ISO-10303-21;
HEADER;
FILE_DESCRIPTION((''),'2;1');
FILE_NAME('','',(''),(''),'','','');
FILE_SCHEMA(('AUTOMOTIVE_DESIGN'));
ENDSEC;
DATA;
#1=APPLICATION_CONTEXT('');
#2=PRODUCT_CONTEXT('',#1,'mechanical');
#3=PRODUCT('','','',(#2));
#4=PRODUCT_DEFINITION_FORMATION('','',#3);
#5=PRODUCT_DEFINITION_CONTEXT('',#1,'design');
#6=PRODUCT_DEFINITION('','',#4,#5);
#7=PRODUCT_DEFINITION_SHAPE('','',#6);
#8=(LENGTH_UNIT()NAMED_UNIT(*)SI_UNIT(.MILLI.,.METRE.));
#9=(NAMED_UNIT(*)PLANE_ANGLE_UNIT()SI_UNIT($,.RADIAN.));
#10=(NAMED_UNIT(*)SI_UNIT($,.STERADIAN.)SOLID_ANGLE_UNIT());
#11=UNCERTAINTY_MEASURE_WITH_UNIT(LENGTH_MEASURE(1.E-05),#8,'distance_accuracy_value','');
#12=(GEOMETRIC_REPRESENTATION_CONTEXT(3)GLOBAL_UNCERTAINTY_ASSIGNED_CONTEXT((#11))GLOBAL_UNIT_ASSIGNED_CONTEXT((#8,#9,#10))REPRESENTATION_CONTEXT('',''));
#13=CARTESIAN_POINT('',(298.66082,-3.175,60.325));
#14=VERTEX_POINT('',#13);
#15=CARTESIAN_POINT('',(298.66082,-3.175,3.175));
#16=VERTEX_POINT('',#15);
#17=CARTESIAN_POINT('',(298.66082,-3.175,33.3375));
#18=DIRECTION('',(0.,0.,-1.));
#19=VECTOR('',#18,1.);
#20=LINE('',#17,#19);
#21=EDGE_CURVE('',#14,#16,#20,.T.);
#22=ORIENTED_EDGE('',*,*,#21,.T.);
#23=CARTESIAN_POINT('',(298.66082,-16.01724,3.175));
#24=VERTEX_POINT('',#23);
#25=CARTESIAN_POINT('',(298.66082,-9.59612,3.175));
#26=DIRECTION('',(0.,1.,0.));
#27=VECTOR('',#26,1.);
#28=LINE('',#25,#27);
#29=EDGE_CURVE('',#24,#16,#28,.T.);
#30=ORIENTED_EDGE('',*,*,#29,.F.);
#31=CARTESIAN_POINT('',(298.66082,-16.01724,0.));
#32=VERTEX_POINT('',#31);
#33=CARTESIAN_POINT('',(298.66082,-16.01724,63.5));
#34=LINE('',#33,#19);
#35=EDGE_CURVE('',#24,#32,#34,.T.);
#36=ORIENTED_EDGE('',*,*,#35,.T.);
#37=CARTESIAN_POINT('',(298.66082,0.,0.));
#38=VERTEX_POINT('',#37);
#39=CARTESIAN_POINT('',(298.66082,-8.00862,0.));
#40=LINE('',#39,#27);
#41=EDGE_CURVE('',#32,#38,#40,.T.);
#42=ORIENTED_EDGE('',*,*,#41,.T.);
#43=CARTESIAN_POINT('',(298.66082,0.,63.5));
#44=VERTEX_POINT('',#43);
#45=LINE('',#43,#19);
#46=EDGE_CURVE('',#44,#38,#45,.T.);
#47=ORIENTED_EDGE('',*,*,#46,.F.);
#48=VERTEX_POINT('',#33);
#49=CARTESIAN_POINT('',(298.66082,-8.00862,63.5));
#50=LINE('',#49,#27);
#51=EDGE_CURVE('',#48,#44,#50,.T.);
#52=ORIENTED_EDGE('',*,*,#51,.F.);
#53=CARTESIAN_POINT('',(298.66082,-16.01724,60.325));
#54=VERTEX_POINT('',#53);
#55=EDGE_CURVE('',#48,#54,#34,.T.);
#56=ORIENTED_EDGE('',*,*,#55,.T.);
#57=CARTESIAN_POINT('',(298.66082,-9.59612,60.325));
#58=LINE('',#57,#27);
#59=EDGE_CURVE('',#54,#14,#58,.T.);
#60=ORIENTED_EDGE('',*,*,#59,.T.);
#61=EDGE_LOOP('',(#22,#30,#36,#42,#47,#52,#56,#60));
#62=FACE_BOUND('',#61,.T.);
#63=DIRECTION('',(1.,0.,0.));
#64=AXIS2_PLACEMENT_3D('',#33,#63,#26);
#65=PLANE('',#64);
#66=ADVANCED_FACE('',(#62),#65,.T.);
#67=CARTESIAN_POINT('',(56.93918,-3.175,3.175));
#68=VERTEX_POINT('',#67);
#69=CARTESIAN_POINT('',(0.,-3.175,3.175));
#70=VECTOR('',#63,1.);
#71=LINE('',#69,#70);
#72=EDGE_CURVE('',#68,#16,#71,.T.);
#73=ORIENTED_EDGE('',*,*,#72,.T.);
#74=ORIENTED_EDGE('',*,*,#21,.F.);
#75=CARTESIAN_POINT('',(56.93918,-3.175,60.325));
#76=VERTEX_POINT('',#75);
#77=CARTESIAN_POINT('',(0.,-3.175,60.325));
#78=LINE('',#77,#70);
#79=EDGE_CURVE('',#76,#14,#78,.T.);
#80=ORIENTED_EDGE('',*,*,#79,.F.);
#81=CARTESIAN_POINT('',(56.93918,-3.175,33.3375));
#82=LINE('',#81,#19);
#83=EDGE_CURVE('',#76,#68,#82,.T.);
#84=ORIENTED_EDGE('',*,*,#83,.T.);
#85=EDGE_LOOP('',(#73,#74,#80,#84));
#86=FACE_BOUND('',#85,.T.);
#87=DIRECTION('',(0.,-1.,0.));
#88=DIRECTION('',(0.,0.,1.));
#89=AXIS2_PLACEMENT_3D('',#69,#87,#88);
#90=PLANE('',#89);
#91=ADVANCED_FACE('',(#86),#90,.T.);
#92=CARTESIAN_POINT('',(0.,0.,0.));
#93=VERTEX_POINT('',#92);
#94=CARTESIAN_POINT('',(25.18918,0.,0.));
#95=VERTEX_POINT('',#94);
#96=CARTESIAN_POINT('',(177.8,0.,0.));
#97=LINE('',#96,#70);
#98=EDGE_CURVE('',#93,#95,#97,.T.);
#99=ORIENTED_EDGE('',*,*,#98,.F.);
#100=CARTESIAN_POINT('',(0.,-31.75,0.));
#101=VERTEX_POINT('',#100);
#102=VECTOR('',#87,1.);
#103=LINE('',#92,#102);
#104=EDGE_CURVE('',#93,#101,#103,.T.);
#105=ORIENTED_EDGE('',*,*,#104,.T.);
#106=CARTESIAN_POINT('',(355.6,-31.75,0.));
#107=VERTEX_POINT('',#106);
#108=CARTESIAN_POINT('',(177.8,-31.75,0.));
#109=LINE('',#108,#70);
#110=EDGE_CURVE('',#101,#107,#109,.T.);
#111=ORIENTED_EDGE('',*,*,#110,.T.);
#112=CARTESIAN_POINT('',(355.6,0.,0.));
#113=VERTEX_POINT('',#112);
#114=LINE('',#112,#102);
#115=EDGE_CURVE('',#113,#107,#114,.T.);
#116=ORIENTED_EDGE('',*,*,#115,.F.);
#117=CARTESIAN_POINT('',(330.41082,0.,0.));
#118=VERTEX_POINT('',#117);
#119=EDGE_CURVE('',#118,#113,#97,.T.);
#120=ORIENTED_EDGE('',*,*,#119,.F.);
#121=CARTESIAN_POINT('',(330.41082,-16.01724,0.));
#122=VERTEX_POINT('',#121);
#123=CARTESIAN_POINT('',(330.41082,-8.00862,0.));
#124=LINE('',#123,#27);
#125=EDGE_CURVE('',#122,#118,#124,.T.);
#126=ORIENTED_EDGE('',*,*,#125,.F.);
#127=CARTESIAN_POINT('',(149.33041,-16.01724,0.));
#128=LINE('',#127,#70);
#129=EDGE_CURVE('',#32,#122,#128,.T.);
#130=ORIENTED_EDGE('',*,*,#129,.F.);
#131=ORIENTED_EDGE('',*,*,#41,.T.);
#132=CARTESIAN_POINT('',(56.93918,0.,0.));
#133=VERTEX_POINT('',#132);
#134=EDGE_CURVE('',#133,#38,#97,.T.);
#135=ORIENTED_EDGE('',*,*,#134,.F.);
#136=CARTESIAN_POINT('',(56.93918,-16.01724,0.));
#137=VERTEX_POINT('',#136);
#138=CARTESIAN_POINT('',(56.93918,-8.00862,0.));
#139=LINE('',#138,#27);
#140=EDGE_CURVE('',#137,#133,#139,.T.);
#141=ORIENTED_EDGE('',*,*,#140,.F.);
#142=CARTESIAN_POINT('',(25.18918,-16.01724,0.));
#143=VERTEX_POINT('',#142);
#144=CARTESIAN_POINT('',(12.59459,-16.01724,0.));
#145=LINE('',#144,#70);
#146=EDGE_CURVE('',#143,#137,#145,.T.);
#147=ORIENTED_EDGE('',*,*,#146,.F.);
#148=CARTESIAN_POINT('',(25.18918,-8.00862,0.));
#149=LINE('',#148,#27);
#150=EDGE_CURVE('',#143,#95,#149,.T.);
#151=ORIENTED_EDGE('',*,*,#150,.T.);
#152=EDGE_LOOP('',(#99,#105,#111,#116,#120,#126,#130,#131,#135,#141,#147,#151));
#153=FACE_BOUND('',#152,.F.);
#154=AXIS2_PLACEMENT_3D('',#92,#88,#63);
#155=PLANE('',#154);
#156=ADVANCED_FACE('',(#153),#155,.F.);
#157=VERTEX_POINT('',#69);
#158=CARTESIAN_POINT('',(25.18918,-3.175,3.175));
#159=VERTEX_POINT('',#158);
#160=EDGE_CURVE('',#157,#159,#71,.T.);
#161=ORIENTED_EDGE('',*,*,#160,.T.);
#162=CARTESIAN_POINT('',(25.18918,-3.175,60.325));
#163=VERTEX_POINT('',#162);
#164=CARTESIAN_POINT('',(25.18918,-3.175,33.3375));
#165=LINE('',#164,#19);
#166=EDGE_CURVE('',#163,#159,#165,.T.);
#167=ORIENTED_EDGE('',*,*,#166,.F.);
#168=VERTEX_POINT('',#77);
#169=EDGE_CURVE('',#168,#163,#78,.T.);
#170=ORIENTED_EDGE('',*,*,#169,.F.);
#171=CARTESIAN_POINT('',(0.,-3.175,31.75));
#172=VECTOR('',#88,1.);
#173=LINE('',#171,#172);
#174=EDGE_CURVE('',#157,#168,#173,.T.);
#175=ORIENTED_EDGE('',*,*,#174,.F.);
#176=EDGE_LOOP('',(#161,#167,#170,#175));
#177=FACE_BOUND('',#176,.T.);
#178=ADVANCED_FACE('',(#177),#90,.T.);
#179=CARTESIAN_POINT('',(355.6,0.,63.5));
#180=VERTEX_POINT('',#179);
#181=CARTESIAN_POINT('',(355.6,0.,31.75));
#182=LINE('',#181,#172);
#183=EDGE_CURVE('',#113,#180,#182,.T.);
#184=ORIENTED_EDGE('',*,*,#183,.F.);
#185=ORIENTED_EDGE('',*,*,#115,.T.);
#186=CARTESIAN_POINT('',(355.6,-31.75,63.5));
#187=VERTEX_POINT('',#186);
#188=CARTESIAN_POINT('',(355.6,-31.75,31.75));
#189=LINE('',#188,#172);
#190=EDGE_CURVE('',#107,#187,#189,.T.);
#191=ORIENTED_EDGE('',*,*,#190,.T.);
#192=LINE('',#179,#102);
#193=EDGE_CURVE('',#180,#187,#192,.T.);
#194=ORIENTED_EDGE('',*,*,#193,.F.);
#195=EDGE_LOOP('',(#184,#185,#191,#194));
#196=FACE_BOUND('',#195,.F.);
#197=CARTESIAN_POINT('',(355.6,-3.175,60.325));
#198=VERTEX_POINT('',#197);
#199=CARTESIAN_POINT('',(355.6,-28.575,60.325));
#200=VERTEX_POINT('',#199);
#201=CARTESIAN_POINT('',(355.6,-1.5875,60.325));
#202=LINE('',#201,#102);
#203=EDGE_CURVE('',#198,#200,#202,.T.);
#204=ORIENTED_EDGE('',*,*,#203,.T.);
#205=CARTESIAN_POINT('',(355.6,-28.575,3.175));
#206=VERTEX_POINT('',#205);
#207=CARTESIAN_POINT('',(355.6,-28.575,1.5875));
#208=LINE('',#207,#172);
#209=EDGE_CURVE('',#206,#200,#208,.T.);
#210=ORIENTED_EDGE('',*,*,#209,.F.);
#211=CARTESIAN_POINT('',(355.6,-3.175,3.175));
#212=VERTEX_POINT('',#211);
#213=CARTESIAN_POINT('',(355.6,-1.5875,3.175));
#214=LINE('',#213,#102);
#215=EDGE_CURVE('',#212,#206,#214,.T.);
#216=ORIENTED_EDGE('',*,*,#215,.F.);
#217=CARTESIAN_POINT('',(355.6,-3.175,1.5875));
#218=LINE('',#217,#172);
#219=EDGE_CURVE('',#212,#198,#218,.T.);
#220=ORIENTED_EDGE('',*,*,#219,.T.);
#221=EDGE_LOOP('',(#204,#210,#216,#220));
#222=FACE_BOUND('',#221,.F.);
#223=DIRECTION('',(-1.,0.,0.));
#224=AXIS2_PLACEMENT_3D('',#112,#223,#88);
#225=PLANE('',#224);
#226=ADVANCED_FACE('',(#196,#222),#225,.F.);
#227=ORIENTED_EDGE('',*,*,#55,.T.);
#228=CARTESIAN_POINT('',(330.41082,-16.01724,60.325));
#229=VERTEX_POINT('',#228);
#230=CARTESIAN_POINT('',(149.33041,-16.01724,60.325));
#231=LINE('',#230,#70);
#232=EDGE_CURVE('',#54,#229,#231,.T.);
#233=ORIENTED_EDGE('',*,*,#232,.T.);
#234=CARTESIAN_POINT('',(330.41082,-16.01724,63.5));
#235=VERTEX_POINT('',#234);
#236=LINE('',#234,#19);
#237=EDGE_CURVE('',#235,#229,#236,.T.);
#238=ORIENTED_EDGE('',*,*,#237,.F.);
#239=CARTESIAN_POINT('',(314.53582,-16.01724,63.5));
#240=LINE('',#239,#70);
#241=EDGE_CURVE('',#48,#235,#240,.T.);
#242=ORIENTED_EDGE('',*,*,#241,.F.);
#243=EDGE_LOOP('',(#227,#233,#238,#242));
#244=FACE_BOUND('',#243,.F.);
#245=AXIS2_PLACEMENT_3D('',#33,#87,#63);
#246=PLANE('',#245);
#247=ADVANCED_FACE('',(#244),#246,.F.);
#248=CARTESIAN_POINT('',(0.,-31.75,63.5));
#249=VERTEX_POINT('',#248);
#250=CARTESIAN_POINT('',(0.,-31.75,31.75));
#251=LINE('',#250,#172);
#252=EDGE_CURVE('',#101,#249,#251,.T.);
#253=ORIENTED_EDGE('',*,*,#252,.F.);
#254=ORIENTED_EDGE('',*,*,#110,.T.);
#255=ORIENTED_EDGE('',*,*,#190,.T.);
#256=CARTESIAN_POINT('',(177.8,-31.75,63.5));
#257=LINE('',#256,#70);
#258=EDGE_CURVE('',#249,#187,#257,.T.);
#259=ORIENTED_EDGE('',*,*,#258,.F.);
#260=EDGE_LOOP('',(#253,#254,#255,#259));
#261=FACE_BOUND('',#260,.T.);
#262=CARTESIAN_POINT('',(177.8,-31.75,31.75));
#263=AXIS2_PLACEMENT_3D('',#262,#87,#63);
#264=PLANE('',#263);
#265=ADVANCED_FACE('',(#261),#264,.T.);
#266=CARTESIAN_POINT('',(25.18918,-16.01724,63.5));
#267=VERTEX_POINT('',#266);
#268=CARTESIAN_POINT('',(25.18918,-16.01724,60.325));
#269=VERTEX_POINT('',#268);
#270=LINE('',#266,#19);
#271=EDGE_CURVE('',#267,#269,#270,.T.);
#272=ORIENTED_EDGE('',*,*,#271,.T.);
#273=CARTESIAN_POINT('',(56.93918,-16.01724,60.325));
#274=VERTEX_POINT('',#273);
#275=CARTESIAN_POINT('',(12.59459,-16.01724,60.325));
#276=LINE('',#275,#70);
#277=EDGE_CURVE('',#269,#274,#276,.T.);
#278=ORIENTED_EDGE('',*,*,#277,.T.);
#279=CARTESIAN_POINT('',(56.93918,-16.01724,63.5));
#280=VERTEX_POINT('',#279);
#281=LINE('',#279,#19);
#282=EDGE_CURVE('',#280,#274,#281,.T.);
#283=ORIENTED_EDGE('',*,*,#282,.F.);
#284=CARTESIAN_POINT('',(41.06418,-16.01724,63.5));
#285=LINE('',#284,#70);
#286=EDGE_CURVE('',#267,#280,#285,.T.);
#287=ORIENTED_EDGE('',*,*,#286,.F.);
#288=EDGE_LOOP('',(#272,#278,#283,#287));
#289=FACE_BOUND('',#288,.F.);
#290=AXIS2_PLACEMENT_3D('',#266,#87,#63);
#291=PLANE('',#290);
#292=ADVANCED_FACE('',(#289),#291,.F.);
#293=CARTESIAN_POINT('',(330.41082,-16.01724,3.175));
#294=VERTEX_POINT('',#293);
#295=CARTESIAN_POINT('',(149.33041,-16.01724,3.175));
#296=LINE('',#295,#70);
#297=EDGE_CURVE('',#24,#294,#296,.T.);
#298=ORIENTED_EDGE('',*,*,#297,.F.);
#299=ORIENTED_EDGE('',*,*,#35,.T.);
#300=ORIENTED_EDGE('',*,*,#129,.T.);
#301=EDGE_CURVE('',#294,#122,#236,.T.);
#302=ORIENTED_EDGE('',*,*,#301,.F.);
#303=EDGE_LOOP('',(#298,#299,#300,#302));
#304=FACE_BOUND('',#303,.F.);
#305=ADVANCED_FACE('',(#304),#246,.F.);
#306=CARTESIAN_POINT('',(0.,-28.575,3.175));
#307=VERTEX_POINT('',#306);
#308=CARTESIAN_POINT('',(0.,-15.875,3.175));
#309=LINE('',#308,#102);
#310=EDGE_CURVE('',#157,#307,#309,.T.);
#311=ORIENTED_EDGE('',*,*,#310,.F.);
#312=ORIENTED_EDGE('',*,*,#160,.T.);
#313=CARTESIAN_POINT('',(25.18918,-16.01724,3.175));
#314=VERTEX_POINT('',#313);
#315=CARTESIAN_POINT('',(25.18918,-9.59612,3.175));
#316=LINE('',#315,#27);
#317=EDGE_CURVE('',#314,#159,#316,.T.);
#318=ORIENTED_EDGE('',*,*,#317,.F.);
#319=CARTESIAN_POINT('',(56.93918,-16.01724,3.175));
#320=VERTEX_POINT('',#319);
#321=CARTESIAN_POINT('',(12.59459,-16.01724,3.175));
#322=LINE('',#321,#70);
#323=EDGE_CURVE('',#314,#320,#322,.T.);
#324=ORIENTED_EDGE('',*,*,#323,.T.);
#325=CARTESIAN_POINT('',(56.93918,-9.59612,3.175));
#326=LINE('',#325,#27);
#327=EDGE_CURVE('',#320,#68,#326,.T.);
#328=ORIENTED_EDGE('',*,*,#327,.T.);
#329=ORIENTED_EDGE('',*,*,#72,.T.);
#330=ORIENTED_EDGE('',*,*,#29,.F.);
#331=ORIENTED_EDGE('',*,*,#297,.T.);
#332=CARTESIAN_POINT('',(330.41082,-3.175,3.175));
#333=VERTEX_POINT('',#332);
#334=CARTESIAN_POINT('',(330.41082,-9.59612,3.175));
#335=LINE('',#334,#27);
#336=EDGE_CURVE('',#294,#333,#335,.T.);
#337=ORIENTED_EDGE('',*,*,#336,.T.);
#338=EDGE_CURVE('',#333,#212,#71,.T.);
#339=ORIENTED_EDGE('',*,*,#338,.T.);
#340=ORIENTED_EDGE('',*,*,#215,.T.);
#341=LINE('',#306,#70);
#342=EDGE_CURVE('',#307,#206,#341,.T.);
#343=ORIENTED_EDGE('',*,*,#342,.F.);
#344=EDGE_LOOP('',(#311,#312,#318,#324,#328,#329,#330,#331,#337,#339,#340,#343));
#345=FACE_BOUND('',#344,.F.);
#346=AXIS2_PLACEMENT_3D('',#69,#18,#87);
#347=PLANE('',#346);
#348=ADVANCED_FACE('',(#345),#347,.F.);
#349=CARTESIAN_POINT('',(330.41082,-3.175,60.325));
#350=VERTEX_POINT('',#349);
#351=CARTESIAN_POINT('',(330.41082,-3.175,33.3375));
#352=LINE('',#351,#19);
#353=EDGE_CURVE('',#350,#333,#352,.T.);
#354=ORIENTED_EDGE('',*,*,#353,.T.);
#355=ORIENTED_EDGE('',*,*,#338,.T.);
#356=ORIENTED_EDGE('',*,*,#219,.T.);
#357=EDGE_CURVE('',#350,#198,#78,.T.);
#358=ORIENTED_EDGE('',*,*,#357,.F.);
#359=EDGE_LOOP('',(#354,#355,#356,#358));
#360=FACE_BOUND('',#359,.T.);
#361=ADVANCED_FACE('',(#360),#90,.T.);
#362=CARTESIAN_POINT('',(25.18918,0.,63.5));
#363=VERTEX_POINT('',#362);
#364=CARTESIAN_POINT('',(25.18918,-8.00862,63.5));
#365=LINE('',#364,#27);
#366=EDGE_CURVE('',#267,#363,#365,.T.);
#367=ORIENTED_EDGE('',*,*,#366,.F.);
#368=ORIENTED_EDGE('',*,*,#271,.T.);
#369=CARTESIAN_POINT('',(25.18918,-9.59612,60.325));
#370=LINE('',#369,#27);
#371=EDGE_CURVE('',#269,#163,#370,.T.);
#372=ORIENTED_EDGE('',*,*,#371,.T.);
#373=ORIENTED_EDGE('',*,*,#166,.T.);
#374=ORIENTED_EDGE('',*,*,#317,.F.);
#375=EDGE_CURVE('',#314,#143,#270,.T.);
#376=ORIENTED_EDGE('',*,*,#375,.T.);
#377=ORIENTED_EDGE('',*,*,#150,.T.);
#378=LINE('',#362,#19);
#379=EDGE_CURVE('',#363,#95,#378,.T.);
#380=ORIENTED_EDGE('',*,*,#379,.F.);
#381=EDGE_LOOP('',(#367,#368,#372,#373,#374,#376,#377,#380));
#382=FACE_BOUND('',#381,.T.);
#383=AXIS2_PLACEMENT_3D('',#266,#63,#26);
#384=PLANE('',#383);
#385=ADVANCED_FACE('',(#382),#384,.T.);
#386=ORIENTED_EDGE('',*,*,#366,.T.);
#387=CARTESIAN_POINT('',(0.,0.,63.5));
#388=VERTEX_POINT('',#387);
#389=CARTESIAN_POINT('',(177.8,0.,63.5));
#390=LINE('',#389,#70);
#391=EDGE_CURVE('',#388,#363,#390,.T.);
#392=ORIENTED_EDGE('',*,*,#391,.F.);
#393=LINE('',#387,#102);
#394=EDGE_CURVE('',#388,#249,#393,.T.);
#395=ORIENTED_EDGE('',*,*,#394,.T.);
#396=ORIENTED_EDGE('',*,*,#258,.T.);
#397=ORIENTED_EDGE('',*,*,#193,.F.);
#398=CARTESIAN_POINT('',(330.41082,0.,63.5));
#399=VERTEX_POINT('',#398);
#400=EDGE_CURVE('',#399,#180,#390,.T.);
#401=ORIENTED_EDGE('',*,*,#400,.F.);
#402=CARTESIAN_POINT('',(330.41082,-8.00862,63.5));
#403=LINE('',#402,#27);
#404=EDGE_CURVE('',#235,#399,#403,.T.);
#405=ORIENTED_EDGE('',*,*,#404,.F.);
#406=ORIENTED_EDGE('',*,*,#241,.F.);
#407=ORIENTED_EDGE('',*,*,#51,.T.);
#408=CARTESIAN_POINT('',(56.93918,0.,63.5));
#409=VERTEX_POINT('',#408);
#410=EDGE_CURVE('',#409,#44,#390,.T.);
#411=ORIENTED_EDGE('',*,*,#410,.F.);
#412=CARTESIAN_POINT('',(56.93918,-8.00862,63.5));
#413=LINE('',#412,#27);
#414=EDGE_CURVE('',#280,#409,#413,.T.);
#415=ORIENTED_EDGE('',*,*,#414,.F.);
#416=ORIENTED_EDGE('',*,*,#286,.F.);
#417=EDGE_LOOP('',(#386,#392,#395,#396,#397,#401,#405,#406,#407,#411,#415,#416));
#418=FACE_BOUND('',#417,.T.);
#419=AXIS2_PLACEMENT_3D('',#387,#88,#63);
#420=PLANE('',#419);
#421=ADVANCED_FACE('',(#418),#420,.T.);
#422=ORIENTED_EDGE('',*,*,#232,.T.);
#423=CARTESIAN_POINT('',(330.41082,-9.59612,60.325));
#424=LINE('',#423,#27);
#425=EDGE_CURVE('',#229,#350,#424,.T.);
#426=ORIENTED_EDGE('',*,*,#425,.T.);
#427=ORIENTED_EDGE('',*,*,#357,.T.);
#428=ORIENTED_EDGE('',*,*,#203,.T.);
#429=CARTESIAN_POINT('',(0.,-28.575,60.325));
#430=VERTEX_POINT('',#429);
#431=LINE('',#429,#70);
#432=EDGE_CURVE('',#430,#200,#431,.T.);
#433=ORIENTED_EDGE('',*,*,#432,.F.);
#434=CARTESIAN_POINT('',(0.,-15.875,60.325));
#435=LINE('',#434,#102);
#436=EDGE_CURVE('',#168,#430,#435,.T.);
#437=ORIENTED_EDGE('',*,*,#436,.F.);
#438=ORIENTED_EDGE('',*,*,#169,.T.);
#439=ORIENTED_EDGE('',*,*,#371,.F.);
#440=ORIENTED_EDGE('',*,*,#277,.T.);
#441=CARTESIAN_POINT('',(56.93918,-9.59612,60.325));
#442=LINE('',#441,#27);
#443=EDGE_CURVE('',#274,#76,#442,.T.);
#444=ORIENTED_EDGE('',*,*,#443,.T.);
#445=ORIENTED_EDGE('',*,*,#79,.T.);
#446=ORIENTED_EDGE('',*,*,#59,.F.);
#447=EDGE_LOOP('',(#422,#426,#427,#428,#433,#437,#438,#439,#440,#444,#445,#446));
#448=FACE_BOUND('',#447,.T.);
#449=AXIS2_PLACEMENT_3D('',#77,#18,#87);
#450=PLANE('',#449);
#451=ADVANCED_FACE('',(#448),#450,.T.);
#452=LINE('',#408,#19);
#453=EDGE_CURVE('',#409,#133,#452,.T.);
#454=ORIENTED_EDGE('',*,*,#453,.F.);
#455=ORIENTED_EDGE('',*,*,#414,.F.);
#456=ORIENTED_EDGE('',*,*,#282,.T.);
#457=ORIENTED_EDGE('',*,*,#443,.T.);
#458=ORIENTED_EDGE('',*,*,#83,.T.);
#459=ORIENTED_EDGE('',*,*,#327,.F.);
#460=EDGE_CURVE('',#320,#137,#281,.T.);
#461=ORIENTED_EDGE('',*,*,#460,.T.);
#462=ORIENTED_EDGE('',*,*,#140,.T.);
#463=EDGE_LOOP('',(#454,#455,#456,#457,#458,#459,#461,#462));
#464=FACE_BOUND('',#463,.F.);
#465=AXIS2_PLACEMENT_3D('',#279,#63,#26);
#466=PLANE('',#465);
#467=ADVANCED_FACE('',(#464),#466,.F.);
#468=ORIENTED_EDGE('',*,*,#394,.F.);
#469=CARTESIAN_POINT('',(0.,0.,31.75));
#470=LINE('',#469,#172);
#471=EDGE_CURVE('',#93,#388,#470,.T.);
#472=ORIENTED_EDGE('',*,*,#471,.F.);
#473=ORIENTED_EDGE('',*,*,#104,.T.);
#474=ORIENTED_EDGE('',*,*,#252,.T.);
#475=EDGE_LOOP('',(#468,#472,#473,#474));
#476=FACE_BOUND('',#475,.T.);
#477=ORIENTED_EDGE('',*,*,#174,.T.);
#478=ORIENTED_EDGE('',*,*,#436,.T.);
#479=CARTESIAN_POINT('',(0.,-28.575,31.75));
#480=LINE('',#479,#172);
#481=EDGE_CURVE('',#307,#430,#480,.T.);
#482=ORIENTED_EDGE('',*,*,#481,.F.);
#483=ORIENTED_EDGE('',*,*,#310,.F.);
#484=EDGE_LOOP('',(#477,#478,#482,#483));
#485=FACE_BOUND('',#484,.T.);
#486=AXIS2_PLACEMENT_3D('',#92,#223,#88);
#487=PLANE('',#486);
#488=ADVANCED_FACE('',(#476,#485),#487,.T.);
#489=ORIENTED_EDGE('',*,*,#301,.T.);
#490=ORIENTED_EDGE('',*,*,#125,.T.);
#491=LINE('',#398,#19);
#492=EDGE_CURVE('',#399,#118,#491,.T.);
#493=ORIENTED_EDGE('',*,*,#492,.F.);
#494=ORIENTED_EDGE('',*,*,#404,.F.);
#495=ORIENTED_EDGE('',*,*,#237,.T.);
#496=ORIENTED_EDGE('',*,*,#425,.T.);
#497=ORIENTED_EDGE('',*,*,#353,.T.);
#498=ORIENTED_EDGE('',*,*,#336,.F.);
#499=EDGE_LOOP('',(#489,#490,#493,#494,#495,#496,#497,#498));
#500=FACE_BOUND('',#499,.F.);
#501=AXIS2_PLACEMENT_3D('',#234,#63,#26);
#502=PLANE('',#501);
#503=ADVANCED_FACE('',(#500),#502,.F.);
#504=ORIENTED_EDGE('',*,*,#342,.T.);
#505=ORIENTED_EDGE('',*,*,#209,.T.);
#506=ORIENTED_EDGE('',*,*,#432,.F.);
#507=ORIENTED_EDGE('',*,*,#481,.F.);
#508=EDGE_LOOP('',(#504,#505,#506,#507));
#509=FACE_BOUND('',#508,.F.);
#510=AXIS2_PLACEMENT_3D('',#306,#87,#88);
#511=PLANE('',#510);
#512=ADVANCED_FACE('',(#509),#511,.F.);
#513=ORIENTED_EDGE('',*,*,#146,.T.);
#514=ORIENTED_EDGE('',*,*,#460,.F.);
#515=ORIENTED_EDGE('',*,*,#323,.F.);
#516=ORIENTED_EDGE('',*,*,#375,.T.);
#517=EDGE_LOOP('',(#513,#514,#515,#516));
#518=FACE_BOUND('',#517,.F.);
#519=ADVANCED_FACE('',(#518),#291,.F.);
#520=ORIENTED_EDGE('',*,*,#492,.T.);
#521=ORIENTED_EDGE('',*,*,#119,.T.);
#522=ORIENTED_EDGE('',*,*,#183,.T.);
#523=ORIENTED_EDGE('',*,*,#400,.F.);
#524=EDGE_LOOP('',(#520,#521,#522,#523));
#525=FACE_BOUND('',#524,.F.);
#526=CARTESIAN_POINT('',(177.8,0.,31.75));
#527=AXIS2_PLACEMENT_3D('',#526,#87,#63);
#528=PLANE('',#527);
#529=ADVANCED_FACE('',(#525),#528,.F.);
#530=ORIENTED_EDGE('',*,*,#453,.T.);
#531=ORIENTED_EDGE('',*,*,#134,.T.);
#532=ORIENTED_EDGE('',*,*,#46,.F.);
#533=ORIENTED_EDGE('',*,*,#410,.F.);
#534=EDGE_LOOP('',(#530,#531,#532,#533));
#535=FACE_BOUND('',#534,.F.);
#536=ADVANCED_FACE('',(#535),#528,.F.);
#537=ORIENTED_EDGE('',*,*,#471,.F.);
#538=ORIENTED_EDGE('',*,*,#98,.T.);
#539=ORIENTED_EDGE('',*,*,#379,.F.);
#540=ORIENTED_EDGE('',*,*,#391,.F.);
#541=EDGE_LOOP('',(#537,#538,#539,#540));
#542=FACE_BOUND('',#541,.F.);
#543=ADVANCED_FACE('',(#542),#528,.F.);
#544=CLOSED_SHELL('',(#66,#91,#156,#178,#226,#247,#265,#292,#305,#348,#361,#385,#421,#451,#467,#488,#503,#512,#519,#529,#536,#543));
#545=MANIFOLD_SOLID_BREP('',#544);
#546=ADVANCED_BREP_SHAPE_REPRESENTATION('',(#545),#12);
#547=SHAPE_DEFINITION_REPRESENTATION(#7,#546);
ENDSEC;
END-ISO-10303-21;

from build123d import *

# Parameters (mm, degrees)
F0_W     = 355.6
F0_H     = 63.5
F1_DEPTH = 31.75
F2_W     = 31.75
F2_H     = 16.01724
F3_DEPTH = 63.501
F4_W     = 25.4
F4_H     = 57.15
F5_DEPTH = 355.601


with BuildPart() as f1:
    # F0 (on Front) → F1 (new body)
    with BuildSketch(Plane.XZ):
        with Locations((177.8, 31.75)):
            Rectangle(F0_W, F0_H)
    extrude(amount=F1_DEPTH)

    # F2 (on face) → F3 (cut, through all)
    with BuildSketch(Plane.XY.offset(63.5)):
        with Locations((41.06418, -8.00862)):
            Rectangle(F2_W, F2_H)
        with Locations((314.53582, -8.00862)):
            Rectangle(F2_W, F2_H)
    extrude(amount=-F3_DEPTH, mode=Mode.SUBTRACT)

    # F4 (on face) → F5 (cut, through all)
    with BuildSketch(Plane(origin=(0, 0, 0), x_dir=(0, -1, 0), z_dir=(-1, 0, 0))):
        with Locations((15.875, 31.75)):
            Rectangle(F4_W, F4_H)
    extrude(amount=-F5_DEPTH, mode=Mode.SUBTRACT)


solid = f1.part
